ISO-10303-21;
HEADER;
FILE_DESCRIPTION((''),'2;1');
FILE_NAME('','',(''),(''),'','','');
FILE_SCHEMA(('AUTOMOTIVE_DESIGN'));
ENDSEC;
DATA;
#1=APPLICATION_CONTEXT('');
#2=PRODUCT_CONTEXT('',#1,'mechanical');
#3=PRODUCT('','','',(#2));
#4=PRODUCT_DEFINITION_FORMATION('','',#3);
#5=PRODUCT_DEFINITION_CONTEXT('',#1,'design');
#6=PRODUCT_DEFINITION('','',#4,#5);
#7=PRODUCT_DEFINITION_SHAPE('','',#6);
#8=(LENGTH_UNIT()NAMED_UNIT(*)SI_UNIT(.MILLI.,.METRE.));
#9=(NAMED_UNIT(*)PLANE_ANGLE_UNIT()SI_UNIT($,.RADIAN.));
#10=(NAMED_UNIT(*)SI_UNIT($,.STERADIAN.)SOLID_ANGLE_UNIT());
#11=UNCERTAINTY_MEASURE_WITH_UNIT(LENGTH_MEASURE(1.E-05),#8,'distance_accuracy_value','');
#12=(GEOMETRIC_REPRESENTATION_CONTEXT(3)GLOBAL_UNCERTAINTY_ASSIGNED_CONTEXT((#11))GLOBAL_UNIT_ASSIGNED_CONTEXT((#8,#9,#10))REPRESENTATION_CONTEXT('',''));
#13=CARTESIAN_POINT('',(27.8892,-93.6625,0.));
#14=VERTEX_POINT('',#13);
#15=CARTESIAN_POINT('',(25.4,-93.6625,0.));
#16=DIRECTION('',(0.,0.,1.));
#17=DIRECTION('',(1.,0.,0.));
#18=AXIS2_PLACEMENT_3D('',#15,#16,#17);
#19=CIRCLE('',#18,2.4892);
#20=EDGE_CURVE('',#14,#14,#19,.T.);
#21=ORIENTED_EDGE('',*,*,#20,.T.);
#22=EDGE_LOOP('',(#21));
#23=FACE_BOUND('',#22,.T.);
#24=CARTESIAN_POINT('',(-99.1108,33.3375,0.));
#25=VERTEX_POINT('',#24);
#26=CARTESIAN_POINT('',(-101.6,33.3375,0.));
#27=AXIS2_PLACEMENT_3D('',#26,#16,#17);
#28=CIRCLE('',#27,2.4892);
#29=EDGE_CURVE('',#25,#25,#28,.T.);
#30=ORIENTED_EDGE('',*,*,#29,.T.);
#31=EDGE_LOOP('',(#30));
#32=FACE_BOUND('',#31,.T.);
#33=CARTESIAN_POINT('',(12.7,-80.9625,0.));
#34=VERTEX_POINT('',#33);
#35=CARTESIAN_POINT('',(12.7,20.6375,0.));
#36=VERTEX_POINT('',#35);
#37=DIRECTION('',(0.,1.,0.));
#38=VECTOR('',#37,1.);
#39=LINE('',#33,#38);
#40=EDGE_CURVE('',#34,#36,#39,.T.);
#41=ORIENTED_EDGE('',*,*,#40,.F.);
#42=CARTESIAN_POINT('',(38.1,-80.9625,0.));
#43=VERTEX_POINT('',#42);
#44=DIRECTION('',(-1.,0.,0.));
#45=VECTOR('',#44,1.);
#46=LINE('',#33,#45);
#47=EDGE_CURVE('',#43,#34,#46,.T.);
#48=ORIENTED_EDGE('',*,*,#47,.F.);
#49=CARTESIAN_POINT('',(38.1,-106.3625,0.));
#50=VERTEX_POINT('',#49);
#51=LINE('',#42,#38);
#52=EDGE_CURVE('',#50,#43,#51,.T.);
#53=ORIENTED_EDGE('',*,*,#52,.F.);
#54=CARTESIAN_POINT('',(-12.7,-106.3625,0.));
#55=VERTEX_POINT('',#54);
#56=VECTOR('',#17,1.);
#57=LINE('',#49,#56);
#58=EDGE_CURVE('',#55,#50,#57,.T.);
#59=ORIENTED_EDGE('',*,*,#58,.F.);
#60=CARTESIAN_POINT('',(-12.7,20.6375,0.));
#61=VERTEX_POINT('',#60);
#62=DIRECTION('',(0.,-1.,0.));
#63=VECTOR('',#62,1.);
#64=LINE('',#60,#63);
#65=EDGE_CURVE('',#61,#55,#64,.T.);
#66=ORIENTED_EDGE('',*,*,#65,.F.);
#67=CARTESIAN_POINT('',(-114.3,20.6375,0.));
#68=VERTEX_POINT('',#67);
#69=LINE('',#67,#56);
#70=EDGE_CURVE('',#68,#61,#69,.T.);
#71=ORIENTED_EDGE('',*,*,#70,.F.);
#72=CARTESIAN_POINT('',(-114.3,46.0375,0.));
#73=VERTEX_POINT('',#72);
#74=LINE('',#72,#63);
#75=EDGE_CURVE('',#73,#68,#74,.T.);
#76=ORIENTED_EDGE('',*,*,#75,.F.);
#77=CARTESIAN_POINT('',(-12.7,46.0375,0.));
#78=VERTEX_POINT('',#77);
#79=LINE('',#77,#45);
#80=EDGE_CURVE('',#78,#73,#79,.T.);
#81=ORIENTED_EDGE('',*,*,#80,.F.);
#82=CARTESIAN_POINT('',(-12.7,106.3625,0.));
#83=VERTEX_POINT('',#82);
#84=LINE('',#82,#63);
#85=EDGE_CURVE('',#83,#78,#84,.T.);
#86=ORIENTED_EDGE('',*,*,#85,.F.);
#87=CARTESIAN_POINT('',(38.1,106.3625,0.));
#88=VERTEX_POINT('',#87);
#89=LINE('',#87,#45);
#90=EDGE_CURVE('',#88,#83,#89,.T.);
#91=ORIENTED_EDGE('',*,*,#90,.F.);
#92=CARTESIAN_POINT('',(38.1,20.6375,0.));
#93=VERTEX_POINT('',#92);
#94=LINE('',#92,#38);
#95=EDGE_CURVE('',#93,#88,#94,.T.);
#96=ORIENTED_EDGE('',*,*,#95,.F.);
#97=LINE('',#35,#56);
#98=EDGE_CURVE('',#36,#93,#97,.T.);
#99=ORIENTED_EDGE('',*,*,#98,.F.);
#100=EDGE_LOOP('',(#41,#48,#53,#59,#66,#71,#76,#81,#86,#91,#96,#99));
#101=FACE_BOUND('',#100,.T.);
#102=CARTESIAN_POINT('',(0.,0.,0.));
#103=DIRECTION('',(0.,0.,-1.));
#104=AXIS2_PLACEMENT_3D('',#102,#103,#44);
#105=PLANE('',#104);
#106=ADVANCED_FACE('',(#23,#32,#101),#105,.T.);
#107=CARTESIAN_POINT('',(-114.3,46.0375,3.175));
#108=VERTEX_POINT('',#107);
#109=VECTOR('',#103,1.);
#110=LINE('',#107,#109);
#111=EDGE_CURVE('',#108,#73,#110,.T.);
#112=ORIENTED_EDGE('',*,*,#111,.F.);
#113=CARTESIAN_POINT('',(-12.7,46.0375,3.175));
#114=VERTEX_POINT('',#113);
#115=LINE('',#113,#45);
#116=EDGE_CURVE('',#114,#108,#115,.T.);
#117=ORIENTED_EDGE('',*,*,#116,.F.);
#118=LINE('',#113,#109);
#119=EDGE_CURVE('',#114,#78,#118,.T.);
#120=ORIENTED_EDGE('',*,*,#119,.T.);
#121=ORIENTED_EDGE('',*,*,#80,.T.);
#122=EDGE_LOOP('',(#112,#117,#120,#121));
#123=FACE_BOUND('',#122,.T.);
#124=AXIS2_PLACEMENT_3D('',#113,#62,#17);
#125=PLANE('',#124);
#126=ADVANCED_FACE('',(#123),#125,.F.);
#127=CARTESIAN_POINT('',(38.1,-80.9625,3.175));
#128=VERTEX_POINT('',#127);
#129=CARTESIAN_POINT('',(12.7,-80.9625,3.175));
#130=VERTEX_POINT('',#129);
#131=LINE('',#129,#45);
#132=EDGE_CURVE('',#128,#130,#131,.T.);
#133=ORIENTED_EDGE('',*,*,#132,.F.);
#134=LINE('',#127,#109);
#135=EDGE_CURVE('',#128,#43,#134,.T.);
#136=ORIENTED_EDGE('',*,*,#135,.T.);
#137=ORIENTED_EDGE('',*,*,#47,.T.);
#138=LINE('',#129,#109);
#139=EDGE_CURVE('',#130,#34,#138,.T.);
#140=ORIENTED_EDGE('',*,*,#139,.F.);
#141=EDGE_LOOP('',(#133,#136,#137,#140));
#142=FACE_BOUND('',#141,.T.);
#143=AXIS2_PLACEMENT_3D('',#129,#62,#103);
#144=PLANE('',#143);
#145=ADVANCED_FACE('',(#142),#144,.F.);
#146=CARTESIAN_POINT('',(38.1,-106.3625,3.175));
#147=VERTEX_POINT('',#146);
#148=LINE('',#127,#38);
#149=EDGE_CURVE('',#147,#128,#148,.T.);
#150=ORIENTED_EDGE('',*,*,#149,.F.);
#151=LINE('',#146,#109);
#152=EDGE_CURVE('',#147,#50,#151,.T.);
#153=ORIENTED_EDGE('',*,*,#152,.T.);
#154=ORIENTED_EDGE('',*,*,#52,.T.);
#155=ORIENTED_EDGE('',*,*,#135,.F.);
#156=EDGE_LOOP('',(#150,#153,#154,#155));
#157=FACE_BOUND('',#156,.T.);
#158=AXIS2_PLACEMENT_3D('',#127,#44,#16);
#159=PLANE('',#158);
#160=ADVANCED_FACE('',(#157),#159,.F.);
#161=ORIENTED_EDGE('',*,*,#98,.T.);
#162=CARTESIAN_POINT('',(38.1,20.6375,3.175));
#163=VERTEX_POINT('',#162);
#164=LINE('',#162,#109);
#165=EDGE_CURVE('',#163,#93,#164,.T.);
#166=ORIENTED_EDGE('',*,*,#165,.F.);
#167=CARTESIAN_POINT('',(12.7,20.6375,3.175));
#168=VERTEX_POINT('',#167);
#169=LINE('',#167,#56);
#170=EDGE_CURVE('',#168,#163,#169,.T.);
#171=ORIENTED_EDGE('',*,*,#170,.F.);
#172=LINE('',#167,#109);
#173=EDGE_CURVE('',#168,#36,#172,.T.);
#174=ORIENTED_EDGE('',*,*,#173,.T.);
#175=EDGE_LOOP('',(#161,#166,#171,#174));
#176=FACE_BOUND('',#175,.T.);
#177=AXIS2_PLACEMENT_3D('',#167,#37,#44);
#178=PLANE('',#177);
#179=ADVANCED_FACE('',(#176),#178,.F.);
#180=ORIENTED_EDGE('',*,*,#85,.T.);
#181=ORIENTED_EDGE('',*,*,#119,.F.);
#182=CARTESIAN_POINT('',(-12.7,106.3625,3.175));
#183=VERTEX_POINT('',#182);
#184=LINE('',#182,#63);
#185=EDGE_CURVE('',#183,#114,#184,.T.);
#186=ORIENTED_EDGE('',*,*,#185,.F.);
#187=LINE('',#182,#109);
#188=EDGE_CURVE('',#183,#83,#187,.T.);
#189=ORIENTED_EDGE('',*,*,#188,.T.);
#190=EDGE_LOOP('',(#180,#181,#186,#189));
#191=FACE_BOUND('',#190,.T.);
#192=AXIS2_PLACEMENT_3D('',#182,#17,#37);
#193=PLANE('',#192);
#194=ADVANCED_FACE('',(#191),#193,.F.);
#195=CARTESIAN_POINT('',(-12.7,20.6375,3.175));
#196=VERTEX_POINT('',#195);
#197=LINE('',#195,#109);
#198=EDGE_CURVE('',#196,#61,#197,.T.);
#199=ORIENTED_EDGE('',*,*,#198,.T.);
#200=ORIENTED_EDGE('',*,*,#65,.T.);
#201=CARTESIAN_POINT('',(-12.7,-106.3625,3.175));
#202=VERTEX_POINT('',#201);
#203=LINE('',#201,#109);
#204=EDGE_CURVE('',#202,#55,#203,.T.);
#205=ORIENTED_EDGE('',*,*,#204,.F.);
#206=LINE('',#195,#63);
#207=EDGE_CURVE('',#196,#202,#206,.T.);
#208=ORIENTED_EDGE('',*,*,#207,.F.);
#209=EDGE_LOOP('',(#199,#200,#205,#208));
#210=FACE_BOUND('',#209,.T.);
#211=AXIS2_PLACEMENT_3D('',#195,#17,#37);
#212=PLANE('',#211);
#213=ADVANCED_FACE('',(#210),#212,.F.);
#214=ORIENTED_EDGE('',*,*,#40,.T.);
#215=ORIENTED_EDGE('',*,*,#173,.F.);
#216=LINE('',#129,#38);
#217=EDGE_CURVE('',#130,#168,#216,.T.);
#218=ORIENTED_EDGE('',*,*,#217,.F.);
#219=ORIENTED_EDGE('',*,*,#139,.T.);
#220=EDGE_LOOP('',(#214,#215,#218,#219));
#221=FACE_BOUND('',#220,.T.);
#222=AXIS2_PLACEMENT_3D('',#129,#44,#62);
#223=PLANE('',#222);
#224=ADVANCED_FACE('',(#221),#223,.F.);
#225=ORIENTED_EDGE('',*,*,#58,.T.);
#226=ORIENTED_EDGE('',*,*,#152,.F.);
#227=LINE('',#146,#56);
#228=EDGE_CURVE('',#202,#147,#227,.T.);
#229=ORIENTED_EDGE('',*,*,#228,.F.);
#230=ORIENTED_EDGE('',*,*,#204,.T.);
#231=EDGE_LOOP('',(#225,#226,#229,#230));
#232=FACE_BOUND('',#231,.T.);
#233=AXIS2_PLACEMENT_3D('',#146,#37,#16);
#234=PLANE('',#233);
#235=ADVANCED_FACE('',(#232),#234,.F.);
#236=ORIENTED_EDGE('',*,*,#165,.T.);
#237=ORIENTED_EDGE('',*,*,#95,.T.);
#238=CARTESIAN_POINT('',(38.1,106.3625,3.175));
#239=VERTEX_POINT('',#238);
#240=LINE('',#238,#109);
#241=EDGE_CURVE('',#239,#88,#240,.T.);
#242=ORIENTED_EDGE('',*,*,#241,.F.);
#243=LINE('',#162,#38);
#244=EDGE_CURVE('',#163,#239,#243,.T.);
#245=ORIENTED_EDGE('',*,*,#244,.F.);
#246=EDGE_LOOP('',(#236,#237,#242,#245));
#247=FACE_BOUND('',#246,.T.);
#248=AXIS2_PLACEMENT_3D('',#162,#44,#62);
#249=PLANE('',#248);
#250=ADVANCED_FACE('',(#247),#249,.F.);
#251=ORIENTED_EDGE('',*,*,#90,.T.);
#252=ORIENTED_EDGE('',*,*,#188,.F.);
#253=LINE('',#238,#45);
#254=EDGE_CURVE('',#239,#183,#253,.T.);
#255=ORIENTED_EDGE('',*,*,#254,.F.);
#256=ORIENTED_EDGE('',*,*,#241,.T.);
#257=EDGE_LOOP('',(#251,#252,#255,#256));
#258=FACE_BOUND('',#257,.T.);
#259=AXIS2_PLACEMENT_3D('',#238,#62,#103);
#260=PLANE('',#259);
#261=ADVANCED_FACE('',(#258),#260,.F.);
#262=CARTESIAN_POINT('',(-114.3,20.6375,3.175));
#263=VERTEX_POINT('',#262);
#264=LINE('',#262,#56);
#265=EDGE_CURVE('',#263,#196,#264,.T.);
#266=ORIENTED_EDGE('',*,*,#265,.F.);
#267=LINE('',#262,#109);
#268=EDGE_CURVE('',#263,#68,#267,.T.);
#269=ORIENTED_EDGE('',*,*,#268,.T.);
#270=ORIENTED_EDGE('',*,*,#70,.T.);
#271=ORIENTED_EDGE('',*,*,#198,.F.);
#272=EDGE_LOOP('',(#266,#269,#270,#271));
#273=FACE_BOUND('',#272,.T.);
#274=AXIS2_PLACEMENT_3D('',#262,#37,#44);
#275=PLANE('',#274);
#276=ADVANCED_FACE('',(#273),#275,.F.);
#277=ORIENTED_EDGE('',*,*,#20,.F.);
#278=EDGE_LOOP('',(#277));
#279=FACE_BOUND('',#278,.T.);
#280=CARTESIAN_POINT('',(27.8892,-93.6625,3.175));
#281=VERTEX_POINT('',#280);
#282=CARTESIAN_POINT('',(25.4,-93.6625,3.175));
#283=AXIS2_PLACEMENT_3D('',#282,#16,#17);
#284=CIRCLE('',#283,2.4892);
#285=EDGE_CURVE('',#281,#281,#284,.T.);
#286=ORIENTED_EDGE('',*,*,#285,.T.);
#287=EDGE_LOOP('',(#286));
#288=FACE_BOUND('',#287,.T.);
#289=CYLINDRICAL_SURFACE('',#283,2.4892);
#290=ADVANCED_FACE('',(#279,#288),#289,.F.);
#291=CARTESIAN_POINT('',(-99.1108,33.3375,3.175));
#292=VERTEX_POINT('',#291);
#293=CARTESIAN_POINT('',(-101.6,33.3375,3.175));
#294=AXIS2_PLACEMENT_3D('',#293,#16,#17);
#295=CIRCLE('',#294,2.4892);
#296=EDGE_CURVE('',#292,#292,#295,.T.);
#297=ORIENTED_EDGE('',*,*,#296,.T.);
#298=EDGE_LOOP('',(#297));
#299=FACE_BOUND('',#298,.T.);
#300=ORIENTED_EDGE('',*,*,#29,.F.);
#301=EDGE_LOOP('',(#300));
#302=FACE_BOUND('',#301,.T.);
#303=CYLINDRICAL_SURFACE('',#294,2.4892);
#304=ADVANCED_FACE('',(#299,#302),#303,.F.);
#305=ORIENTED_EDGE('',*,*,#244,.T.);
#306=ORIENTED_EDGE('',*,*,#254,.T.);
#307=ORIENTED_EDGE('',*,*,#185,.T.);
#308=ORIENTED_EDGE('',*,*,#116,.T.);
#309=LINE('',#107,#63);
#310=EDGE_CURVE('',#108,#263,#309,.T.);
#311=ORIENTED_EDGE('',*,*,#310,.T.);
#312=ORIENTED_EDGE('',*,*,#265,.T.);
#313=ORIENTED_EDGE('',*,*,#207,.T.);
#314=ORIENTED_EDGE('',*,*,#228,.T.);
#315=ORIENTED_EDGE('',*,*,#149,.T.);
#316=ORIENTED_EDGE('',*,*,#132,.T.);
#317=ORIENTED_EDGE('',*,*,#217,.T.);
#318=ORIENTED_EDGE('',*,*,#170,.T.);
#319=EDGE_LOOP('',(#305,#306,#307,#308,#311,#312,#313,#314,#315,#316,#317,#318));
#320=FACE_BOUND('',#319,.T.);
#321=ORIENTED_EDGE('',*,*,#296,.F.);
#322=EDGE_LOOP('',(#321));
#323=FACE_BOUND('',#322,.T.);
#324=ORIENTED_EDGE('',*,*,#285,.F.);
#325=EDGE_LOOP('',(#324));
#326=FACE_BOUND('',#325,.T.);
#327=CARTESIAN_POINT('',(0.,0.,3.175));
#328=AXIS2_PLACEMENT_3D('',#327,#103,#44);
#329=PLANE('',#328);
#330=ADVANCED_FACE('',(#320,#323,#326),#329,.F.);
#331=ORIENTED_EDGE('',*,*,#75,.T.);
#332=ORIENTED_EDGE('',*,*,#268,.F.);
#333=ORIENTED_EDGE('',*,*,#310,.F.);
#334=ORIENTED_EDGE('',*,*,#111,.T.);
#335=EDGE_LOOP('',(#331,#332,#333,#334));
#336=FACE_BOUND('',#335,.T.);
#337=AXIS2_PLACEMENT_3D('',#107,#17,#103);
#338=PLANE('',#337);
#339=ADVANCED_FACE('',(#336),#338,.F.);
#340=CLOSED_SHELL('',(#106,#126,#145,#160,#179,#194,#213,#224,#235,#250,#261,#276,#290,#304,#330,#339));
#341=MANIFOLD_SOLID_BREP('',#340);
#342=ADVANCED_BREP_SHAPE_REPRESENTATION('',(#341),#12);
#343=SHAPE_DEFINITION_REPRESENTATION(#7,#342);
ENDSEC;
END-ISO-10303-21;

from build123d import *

# Parameters (mm, degrees)
BOSS_EXTRUDE1_DEPTH        = 3.175
F_9_0_196_DIAMETER_HOLE1_D = 4.9784


with BuildPart() as part:
    # Sketch1 → Boss-Extrude1 (new body)
    with BuildSketch(Plane(origin=(0, 0, 0), x_dir=(0, 1, 0), z_dir=(0, 0, 1))):
        Polygon((-80.9625, -12.7), (-80.9625, -38.1), (-106.3625, -38.1), (-106.3625, 12.7), (20.6375, 12.7), (20.6375, 114.3), (46.0375, 114.3), (46.0375, 12.7), (106.3625, 12.7), (106.3625, -38.1), (20.6375, -38.1), (20.6375, -12.7), align=None)
    extrude(amount=BOSS_EXTRUDE1_DEPTH)

    # #9 (0.196) Diameter Hole1 (through all)
    with Locations(Plane.XY.offset(3.175)):
        with Locations((25.4, -93.6625), (-153.251995768, -35.15541816), (-101.6, 33.3375), (-174.461563536, 15.375329004)):
            Hole(F_9_0_196_DIAMETER_HOLE1_D / 2)


solid = part.part
